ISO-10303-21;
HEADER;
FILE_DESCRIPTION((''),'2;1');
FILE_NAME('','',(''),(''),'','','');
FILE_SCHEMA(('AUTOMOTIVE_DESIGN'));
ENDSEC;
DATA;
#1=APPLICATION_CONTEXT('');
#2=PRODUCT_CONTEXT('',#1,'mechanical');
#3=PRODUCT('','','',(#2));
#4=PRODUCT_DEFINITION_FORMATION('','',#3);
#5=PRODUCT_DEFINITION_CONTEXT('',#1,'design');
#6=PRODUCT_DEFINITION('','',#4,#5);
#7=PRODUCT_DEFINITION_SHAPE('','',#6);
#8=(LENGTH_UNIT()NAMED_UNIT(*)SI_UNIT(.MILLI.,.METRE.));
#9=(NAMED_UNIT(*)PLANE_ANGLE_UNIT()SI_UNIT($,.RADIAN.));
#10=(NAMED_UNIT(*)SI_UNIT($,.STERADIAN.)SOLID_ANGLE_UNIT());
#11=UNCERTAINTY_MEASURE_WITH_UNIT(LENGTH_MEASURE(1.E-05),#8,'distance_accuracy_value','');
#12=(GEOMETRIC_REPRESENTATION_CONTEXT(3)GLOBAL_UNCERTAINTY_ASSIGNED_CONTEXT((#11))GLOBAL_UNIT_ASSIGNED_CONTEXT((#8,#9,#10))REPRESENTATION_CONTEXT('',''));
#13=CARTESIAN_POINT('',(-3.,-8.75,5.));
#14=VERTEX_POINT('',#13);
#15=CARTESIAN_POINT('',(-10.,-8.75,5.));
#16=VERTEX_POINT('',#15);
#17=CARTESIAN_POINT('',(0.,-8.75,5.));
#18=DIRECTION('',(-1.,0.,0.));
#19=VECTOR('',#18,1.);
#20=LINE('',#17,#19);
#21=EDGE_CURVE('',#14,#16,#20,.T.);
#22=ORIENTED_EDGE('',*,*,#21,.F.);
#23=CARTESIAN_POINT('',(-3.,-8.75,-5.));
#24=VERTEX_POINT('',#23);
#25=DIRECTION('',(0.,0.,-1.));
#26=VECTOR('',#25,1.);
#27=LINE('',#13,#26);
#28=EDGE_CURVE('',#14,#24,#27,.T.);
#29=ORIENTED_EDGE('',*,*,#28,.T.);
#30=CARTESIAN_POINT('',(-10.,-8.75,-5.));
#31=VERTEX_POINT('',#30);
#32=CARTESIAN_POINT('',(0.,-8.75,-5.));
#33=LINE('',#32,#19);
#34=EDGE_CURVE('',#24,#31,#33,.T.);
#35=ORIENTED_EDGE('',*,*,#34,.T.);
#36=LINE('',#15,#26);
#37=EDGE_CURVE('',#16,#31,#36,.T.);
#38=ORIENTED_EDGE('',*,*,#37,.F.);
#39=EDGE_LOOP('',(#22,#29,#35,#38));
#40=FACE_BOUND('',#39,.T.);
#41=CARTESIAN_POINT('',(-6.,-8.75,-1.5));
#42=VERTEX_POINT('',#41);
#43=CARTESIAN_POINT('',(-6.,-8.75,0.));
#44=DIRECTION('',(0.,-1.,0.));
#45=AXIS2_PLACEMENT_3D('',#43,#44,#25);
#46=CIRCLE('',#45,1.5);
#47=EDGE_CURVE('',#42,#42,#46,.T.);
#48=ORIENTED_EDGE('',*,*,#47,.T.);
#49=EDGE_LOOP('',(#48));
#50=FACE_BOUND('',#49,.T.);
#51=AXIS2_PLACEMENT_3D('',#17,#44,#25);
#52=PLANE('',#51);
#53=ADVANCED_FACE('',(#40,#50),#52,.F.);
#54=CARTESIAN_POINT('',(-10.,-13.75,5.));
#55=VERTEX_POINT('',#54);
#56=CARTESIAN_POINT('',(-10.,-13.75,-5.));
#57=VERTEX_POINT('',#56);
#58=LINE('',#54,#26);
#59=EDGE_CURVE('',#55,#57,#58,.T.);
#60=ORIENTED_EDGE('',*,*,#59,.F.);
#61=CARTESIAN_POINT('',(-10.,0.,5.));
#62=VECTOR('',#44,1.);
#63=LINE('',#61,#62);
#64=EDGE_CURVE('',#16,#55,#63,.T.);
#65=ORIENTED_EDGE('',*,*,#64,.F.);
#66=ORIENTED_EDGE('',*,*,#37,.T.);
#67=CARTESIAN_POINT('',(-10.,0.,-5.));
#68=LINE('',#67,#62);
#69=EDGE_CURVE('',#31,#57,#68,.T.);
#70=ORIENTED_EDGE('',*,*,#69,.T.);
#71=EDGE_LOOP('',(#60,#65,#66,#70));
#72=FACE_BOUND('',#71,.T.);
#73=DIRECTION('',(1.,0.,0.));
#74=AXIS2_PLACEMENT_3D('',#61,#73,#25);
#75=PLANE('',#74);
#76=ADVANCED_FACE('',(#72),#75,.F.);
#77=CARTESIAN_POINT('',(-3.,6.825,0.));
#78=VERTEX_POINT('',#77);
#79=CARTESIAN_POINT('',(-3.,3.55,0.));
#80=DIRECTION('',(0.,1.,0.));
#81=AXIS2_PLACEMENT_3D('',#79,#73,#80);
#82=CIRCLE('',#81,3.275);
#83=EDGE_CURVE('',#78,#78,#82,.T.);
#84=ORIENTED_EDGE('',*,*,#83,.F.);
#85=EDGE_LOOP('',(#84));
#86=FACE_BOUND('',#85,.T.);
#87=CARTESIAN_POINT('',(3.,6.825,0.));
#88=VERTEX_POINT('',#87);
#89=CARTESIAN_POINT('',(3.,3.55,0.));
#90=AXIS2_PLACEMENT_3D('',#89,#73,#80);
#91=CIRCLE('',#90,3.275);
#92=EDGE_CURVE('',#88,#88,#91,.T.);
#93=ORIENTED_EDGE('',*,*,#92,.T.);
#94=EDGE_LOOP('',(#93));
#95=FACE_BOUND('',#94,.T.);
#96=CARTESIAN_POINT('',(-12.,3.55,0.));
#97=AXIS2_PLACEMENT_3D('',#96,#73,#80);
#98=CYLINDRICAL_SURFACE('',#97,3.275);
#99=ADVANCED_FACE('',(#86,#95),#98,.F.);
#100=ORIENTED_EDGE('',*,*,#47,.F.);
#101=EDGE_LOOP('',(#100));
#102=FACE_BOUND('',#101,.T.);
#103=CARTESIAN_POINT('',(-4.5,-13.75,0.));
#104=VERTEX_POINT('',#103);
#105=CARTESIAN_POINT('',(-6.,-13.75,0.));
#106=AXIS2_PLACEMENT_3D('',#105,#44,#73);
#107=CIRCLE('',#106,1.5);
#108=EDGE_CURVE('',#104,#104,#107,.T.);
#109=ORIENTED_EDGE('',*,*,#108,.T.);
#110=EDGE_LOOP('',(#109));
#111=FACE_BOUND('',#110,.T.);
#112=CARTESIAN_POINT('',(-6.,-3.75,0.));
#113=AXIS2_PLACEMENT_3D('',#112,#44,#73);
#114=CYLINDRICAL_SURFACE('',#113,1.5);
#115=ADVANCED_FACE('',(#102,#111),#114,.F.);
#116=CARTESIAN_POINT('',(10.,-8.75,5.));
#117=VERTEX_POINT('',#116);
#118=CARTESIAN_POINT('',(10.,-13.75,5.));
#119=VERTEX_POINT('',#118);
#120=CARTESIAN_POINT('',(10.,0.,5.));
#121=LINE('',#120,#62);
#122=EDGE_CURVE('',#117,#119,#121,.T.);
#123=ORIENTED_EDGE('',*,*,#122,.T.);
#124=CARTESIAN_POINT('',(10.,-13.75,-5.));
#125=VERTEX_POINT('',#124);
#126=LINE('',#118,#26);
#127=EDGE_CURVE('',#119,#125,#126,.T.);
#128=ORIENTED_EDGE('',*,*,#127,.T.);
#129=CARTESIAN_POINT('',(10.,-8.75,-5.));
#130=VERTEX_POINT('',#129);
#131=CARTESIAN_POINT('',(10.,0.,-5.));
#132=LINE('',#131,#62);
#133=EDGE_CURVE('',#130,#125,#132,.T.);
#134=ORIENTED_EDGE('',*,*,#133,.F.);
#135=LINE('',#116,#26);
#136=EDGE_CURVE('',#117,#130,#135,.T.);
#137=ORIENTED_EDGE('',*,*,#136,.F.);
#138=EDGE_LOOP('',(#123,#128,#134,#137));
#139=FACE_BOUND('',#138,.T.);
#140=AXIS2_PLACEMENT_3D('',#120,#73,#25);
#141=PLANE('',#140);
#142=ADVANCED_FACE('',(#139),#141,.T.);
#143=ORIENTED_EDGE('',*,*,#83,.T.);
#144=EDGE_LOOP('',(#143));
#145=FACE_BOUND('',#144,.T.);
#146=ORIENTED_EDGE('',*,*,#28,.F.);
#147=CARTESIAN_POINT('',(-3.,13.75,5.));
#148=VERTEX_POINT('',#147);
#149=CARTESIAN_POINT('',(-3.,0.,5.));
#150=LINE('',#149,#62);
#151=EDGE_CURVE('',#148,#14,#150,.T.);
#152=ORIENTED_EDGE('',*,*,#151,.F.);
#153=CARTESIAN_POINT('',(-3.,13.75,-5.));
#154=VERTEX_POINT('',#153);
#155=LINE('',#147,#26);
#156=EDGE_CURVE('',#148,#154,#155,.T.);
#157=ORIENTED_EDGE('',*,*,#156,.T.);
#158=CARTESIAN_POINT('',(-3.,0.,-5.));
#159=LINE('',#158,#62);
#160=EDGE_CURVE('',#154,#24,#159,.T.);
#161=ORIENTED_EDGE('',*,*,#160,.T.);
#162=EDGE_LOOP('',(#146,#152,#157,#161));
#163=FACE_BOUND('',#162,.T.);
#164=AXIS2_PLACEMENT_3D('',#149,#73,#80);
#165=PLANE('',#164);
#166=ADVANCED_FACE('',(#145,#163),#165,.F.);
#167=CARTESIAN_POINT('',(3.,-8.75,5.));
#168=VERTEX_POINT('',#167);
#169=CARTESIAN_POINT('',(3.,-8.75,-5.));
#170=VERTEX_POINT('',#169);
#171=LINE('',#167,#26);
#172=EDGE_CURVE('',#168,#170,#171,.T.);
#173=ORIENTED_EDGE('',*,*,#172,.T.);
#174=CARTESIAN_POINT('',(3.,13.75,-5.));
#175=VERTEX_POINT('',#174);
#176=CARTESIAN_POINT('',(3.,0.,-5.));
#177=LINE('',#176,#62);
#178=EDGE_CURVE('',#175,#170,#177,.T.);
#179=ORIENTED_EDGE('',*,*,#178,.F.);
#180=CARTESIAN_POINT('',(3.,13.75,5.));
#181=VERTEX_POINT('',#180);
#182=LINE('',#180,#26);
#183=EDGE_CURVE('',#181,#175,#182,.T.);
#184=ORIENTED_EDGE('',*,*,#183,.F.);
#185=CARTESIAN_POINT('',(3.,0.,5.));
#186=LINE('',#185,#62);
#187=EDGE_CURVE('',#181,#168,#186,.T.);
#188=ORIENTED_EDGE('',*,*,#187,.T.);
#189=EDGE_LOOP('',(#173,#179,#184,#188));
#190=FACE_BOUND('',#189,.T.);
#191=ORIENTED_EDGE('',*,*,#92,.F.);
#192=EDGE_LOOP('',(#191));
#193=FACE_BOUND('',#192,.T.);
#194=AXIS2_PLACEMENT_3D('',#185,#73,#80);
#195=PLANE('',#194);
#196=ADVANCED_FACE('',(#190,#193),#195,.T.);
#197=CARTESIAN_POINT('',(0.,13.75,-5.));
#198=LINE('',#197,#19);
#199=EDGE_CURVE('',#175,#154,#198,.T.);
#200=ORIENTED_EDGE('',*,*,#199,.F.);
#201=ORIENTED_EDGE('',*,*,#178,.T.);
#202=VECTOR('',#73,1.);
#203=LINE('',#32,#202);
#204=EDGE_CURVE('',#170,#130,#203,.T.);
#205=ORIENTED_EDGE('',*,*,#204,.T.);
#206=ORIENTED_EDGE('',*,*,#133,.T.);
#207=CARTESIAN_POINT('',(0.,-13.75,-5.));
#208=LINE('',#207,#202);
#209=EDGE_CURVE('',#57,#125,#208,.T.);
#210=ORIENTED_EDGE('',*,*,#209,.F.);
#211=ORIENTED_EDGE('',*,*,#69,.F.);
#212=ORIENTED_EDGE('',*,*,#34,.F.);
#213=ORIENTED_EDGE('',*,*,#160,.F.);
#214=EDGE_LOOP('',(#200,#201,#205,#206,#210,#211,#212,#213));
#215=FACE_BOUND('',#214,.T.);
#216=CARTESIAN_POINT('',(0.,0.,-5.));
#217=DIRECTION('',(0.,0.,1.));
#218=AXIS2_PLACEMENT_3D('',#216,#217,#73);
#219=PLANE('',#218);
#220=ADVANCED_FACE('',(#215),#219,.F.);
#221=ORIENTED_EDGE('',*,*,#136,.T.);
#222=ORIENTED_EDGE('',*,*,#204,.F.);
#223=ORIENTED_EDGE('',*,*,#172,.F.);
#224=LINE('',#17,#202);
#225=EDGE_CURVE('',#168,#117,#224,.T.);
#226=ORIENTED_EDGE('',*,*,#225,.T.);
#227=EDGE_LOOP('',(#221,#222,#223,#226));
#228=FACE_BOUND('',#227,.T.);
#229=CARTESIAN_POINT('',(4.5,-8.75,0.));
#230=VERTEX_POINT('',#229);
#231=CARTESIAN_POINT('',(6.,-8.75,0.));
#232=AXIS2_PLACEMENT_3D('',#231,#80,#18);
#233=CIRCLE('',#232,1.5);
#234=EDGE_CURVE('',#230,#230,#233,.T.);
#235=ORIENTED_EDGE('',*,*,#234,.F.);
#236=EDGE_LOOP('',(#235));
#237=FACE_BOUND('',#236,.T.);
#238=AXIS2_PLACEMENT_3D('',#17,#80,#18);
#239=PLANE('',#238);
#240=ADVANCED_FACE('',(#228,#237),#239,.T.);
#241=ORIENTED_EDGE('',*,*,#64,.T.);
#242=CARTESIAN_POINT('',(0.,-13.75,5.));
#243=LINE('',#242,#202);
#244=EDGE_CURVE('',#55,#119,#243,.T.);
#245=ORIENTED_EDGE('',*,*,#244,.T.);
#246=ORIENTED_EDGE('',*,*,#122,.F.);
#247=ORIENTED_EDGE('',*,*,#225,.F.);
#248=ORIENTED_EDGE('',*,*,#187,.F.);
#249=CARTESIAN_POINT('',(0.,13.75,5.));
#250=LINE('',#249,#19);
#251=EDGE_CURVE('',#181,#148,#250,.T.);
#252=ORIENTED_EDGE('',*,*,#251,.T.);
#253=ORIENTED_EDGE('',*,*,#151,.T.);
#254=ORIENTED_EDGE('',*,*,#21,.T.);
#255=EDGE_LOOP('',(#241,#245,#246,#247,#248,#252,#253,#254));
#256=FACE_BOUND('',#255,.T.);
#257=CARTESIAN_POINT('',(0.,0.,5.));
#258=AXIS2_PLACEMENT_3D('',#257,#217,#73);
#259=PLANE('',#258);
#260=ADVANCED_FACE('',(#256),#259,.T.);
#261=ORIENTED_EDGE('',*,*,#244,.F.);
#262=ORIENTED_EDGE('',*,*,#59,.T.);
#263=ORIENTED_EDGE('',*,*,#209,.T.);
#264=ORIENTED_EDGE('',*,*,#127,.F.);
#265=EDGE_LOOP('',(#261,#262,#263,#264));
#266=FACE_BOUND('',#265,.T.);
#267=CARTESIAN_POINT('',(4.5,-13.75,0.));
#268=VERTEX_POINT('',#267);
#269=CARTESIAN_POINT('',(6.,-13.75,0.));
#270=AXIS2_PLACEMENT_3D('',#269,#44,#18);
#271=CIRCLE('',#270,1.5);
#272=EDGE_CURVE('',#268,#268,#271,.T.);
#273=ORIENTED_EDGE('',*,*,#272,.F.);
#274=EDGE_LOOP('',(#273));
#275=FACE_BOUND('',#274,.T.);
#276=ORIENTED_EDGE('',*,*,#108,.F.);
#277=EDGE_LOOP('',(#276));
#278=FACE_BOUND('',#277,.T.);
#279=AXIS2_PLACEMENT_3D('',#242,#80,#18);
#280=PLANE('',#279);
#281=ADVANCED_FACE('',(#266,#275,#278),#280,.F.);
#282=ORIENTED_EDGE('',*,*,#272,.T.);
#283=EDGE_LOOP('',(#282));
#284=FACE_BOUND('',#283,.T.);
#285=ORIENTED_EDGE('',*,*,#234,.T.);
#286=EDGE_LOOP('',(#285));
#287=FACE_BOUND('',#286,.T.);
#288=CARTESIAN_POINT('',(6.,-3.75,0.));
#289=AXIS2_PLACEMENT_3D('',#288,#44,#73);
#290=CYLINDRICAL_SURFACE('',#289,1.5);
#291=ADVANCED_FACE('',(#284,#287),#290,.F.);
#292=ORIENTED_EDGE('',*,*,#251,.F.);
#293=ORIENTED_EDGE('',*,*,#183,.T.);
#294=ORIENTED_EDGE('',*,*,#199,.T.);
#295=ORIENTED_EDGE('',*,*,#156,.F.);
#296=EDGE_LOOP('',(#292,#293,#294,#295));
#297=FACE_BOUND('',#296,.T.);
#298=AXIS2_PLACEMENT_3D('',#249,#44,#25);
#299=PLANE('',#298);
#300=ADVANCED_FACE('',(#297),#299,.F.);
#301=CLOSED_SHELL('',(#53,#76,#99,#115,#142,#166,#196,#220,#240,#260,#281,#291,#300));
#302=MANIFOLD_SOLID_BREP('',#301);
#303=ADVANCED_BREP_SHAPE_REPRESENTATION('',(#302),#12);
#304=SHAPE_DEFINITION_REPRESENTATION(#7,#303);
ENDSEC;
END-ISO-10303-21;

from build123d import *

# Parameters (mm, degrees)
SALIENTE_EXTRUIR1_DEPTH = 5
CROQUIS4_R              = 3.275
CORTAR_EXTRUIR3_DEPTH   = 15
CROQUIS5_R              = 1.5
CORTAR_EXTRUIR4_DEPTH   = 10


with BuildPart() as part:
    # Croquis1 → Saliente-Extruir1 (new, symmetric)
    with BuildSketch(Plane.XY):
        Polygon((3, -8.75), (3, 13.75), (0, 13.75), (0, -13.75), (10, -13.75), (10, -8.75), align=None)
        Polygon((0, -13.75), (0, 13.75), (-3, 13.75), (-3, -8.75), (-10, -8.75), (-10, -13.75), align=None)
    extrude(amount=SALIENTE_EXTRUIR1_DEPTH, both=True)

    # Croquis4 → Cortar-Extruir3 (cut)
    with BuildSketch(Plane(origin=(3, 0, 0), x_dir=(0, 0, -1), z_dir=(1, 0, 0))):
        with Locations(Location((0, 3.55, 0), (0, 0, 90))):
            Circle(CROQUIS4_R)
    extrude(amount=-CORTAR_EXTRUIR3_DEPTH, mode=Mode.SUBTRACT)

    # Croquis5 → Cortar-Extruir4 (cut)
    with BuildSketch(Plane.XZ.offset(13.75)):
        with Locations((-6, 0)):
            Circle(CROQUIS5_R)
        with Locations(Location((6, 0, 0), (0, 0, 180))):
            Circle(CROQUIS5_R)
    extrude(amount=-CORTAR_EXTRUIR4_DEPTH, mode=Mode.SUBTRACT)


solid = part.part
